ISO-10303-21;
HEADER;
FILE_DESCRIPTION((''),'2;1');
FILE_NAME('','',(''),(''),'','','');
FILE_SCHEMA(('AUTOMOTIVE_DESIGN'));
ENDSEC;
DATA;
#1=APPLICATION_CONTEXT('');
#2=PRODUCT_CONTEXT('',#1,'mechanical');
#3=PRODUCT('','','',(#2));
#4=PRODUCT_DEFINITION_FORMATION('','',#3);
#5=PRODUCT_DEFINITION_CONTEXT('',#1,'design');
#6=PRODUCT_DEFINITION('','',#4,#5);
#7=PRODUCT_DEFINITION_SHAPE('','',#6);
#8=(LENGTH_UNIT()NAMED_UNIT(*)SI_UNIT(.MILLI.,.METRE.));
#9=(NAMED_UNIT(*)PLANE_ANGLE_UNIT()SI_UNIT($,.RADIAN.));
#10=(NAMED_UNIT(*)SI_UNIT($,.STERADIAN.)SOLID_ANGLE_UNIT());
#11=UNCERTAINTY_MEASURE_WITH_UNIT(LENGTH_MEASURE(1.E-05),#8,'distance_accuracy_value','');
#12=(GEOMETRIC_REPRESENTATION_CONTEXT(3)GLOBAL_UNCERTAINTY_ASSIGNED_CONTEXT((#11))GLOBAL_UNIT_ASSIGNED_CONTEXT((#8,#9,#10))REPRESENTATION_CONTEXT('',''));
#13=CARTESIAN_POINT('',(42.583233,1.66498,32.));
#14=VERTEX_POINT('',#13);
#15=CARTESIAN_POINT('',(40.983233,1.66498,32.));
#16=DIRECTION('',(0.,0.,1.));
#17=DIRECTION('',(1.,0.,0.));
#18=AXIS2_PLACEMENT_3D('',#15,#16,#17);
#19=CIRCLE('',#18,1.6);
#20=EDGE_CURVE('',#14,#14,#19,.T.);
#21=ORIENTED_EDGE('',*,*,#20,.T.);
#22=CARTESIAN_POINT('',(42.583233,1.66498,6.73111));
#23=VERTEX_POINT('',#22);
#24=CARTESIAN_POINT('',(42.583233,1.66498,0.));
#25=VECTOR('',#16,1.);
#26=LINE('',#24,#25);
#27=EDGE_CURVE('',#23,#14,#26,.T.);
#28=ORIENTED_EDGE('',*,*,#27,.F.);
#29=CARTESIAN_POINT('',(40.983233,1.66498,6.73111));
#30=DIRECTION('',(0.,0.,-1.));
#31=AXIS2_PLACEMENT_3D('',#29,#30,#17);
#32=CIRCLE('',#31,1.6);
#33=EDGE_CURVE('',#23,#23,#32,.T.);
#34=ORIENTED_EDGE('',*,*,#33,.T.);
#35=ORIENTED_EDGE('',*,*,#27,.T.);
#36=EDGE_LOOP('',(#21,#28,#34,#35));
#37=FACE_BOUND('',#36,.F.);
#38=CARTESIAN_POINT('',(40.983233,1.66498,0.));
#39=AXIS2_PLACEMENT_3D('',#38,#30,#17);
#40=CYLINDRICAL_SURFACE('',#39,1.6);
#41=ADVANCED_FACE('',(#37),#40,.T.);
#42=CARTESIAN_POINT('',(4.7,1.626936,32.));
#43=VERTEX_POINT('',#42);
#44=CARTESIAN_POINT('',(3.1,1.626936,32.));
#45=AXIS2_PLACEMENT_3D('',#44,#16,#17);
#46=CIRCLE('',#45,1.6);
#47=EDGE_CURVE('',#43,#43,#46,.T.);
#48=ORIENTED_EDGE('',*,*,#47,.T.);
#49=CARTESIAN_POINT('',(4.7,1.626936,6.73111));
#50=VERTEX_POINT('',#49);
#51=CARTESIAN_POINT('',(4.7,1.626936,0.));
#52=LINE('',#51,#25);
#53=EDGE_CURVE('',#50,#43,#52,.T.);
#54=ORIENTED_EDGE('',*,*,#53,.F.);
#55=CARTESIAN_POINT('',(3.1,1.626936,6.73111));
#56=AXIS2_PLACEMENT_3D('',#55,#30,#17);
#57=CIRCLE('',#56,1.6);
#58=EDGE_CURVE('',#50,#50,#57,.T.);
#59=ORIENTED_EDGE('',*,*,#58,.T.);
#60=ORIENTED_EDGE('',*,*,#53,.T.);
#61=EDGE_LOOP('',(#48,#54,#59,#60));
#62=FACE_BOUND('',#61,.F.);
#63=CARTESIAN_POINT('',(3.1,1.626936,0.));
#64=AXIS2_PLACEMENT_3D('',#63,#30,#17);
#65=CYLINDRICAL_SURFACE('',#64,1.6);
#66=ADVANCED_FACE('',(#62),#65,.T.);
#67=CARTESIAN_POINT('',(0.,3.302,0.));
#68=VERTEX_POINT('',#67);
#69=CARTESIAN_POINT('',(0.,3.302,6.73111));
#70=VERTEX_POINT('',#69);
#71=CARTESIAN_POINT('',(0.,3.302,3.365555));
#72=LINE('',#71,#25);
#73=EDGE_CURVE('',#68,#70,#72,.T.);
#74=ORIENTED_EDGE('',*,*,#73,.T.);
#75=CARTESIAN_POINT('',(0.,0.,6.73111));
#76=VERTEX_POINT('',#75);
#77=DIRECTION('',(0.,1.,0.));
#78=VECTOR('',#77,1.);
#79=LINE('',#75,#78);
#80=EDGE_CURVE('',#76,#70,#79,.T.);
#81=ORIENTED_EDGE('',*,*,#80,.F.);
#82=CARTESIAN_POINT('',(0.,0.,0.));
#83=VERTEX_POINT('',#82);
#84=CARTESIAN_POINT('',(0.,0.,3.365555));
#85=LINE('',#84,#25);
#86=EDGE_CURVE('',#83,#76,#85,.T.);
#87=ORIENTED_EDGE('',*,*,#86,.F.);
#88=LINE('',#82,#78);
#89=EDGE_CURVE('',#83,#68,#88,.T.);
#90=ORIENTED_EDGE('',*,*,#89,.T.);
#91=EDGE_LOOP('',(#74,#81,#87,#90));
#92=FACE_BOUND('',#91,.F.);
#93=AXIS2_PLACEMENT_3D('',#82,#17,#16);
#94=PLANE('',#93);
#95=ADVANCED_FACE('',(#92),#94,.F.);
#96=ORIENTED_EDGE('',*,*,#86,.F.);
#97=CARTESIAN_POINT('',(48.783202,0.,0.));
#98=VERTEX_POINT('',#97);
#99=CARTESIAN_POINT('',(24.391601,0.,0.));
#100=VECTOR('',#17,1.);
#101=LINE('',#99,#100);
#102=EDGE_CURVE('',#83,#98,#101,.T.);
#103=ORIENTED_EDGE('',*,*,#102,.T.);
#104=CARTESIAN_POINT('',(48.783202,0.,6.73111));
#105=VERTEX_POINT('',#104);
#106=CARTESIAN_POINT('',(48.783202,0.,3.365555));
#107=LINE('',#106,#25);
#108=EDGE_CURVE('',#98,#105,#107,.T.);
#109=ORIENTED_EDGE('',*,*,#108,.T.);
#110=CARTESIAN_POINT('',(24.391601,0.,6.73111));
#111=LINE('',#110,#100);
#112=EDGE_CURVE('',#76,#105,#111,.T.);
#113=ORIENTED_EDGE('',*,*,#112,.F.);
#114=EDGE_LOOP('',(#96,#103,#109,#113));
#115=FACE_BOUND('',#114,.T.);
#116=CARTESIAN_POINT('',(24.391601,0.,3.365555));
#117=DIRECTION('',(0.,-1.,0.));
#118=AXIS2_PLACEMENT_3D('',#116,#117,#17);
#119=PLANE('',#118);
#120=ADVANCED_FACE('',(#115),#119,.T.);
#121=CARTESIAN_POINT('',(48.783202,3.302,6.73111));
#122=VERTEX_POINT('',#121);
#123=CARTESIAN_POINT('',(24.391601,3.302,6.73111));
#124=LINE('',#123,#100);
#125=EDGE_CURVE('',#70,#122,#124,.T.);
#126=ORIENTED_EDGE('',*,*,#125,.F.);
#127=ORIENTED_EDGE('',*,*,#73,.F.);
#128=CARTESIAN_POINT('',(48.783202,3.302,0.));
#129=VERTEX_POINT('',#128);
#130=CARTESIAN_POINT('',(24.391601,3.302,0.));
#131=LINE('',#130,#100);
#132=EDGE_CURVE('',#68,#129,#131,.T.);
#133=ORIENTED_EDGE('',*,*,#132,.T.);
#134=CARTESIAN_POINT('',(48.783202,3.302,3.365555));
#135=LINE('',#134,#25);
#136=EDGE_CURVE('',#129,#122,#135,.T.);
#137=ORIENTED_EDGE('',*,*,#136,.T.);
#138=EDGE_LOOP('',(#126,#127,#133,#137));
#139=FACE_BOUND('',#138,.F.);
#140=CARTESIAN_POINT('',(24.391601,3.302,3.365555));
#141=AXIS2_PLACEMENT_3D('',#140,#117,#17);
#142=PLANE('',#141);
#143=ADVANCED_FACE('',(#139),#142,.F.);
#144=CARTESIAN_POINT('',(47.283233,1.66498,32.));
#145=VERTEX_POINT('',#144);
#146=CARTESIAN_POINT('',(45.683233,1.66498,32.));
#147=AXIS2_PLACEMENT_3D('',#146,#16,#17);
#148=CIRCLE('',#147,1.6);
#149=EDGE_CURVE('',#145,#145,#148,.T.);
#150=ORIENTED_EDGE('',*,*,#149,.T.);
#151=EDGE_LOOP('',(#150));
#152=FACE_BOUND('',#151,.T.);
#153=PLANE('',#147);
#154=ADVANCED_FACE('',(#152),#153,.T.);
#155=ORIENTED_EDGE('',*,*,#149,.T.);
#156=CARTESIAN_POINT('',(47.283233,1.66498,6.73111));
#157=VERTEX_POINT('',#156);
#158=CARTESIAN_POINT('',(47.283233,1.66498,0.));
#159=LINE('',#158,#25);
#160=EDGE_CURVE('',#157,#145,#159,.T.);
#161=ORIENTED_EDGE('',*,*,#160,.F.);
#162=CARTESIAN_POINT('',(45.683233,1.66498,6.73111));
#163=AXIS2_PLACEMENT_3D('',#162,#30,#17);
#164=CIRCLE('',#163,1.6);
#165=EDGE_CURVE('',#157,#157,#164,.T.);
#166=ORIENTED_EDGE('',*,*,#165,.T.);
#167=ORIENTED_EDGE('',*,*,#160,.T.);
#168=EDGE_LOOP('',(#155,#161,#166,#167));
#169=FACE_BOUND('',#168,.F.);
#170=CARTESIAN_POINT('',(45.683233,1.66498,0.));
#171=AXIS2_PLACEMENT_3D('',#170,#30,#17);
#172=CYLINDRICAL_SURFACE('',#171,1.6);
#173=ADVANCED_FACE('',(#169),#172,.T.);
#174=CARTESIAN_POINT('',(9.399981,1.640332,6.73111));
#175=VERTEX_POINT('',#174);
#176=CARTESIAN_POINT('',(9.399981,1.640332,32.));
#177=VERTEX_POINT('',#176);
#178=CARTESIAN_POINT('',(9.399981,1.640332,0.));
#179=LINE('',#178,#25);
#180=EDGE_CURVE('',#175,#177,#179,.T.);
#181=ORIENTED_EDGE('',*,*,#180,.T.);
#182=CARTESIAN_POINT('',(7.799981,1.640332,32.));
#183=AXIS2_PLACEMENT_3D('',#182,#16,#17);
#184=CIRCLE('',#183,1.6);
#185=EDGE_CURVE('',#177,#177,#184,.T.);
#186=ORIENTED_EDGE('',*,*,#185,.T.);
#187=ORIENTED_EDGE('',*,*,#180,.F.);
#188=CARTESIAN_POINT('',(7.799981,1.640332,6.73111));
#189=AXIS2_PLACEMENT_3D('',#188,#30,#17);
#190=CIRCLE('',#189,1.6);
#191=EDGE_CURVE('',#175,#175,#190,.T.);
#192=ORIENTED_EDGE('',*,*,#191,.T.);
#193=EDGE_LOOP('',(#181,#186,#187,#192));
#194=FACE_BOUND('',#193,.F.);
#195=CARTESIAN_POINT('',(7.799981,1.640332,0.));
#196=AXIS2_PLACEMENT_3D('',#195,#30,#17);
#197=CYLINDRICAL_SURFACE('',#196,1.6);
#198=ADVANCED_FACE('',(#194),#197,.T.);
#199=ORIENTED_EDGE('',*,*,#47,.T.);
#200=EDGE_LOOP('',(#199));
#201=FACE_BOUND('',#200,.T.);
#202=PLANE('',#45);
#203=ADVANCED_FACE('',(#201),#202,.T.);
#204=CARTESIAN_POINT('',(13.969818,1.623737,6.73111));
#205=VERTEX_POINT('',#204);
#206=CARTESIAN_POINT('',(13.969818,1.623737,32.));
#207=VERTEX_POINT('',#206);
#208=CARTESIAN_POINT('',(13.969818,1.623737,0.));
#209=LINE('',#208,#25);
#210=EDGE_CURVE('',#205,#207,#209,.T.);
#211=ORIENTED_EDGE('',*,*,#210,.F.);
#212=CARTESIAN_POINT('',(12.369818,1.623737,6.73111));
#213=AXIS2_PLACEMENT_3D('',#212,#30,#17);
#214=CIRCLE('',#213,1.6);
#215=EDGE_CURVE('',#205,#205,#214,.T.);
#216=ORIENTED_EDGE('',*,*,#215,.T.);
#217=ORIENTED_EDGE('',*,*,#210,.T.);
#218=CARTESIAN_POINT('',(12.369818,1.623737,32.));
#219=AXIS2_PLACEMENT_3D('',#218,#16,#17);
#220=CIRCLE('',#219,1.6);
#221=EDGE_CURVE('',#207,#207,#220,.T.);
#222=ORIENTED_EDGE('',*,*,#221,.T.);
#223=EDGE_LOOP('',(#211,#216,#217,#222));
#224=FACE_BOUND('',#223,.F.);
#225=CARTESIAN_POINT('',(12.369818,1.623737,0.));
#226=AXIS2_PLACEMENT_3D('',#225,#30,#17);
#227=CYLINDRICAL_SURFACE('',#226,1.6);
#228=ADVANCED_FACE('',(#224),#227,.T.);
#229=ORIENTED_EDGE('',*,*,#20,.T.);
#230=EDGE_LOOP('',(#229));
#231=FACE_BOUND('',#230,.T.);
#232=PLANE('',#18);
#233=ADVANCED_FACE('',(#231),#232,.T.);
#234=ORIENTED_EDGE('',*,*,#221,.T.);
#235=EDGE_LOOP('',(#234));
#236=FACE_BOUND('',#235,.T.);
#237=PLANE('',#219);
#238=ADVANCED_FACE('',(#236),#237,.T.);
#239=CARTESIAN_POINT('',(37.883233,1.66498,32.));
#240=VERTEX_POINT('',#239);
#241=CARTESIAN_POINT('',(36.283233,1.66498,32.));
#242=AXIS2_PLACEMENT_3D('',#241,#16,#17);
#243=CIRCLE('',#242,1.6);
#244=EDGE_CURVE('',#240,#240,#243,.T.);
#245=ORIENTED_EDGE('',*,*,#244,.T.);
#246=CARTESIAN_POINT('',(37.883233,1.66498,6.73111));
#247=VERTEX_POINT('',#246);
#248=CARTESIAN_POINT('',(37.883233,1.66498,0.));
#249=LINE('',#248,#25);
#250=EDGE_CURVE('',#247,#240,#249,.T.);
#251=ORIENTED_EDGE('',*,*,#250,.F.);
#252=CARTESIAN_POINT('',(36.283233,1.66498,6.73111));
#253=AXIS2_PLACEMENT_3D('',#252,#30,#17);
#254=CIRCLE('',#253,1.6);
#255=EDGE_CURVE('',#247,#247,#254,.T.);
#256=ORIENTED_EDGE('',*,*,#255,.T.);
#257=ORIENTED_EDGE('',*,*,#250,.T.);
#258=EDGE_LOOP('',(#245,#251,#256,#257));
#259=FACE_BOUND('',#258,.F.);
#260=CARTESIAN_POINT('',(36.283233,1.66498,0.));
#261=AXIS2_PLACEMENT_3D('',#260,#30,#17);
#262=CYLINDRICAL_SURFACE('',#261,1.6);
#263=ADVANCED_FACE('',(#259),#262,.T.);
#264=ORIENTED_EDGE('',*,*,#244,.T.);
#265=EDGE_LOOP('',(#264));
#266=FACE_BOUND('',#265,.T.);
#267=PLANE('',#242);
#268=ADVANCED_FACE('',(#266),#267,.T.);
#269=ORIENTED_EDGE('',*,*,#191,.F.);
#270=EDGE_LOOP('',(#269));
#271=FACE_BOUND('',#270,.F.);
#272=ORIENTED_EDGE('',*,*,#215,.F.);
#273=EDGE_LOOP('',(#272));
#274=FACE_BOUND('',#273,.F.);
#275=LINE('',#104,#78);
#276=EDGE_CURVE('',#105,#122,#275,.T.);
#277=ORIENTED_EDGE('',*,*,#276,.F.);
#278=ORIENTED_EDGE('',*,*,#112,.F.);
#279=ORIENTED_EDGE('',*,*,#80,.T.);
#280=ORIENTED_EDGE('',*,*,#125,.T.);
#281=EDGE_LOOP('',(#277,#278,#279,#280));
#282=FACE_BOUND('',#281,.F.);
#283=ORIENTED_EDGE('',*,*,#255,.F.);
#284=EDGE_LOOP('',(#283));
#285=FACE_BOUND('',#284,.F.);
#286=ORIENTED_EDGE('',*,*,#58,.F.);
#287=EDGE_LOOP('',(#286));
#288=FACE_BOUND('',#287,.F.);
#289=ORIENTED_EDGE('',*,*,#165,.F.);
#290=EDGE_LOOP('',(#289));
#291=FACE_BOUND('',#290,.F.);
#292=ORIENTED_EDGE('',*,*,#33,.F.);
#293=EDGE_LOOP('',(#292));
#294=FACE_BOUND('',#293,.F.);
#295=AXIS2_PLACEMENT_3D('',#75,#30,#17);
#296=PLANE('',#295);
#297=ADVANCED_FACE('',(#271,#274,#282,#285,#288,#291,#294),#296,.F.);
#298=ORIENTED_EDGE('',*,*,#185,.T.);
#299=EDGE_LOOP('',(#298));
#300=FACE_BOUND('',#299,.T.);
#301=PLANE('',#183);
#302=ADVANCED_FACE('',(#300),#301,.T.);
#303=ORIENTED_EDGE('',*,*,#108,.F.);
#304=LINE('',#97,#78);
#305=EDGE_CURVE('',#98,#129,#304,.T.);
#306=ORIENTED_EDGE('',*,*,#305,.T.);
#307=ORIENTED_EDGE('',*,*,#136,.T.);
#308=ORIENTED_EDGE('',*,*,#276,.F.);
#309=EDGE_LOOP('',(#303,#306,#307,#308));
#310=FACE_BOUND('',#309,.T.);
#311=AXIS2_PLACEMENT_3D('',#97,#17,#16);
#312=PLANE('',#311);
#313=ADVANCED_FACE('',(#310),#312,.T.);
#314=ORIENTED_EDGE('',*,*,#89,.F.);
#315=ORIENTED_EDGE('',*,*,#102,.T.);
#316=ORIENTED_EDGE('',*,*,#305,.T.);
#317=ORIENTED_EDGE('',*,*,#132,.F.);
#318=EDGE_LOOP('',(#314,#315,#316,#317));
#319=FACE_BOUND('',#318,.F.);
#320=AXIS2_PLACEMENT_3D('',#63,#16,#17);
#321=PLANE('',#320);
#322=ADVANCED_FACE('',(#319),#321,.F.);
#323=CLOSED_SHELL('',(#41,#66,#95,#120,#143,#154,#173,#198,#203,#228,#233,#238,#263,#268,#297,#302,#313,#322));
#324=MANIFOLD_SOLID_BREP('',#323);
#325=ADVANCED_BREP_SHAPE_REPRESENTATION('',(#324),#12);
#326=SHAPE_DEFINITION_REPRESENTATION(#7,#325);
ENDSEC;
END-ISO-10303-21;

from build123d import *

# Parameters (mm, degrees)
F0_W     = 48.783202
F0_H     = 6.73111
F1_DEPTH = 3.302
F2_R     = 1.6
F3_DEPTH = 32


with BuildPart() as f1:
    # F0 (on Front) → F1 (new body)
    with BuildSketch(Plane.XZ):
        with Locations((24.391601, 3.365555)):
            Rectangle(F0_W, F0_H)
    extrude(amount=-F1_DEPTH)

    # F2 (on Top) → F3 (join)
    with BuildSketch(Plane.XY):
        with Locations((3.1, 1.626936)):
            Circle(F2_R)
        with Locations((7.799981, 1.640332)):
            Circle(F2_R)
        with Locations((12.369818, 1.623737)):
            Circle(F2_R)
        with Locations((36.283233, 1.66498)):
            Circle(F2_R)
        with Locations((40.983233, 1.66498)):
            Circle(F2_R)
        with Locations((45.683233, 1.66498)):
            Circle(F2_R)
    extrude(amount=F3_DEPTH)


solid = f1.part
